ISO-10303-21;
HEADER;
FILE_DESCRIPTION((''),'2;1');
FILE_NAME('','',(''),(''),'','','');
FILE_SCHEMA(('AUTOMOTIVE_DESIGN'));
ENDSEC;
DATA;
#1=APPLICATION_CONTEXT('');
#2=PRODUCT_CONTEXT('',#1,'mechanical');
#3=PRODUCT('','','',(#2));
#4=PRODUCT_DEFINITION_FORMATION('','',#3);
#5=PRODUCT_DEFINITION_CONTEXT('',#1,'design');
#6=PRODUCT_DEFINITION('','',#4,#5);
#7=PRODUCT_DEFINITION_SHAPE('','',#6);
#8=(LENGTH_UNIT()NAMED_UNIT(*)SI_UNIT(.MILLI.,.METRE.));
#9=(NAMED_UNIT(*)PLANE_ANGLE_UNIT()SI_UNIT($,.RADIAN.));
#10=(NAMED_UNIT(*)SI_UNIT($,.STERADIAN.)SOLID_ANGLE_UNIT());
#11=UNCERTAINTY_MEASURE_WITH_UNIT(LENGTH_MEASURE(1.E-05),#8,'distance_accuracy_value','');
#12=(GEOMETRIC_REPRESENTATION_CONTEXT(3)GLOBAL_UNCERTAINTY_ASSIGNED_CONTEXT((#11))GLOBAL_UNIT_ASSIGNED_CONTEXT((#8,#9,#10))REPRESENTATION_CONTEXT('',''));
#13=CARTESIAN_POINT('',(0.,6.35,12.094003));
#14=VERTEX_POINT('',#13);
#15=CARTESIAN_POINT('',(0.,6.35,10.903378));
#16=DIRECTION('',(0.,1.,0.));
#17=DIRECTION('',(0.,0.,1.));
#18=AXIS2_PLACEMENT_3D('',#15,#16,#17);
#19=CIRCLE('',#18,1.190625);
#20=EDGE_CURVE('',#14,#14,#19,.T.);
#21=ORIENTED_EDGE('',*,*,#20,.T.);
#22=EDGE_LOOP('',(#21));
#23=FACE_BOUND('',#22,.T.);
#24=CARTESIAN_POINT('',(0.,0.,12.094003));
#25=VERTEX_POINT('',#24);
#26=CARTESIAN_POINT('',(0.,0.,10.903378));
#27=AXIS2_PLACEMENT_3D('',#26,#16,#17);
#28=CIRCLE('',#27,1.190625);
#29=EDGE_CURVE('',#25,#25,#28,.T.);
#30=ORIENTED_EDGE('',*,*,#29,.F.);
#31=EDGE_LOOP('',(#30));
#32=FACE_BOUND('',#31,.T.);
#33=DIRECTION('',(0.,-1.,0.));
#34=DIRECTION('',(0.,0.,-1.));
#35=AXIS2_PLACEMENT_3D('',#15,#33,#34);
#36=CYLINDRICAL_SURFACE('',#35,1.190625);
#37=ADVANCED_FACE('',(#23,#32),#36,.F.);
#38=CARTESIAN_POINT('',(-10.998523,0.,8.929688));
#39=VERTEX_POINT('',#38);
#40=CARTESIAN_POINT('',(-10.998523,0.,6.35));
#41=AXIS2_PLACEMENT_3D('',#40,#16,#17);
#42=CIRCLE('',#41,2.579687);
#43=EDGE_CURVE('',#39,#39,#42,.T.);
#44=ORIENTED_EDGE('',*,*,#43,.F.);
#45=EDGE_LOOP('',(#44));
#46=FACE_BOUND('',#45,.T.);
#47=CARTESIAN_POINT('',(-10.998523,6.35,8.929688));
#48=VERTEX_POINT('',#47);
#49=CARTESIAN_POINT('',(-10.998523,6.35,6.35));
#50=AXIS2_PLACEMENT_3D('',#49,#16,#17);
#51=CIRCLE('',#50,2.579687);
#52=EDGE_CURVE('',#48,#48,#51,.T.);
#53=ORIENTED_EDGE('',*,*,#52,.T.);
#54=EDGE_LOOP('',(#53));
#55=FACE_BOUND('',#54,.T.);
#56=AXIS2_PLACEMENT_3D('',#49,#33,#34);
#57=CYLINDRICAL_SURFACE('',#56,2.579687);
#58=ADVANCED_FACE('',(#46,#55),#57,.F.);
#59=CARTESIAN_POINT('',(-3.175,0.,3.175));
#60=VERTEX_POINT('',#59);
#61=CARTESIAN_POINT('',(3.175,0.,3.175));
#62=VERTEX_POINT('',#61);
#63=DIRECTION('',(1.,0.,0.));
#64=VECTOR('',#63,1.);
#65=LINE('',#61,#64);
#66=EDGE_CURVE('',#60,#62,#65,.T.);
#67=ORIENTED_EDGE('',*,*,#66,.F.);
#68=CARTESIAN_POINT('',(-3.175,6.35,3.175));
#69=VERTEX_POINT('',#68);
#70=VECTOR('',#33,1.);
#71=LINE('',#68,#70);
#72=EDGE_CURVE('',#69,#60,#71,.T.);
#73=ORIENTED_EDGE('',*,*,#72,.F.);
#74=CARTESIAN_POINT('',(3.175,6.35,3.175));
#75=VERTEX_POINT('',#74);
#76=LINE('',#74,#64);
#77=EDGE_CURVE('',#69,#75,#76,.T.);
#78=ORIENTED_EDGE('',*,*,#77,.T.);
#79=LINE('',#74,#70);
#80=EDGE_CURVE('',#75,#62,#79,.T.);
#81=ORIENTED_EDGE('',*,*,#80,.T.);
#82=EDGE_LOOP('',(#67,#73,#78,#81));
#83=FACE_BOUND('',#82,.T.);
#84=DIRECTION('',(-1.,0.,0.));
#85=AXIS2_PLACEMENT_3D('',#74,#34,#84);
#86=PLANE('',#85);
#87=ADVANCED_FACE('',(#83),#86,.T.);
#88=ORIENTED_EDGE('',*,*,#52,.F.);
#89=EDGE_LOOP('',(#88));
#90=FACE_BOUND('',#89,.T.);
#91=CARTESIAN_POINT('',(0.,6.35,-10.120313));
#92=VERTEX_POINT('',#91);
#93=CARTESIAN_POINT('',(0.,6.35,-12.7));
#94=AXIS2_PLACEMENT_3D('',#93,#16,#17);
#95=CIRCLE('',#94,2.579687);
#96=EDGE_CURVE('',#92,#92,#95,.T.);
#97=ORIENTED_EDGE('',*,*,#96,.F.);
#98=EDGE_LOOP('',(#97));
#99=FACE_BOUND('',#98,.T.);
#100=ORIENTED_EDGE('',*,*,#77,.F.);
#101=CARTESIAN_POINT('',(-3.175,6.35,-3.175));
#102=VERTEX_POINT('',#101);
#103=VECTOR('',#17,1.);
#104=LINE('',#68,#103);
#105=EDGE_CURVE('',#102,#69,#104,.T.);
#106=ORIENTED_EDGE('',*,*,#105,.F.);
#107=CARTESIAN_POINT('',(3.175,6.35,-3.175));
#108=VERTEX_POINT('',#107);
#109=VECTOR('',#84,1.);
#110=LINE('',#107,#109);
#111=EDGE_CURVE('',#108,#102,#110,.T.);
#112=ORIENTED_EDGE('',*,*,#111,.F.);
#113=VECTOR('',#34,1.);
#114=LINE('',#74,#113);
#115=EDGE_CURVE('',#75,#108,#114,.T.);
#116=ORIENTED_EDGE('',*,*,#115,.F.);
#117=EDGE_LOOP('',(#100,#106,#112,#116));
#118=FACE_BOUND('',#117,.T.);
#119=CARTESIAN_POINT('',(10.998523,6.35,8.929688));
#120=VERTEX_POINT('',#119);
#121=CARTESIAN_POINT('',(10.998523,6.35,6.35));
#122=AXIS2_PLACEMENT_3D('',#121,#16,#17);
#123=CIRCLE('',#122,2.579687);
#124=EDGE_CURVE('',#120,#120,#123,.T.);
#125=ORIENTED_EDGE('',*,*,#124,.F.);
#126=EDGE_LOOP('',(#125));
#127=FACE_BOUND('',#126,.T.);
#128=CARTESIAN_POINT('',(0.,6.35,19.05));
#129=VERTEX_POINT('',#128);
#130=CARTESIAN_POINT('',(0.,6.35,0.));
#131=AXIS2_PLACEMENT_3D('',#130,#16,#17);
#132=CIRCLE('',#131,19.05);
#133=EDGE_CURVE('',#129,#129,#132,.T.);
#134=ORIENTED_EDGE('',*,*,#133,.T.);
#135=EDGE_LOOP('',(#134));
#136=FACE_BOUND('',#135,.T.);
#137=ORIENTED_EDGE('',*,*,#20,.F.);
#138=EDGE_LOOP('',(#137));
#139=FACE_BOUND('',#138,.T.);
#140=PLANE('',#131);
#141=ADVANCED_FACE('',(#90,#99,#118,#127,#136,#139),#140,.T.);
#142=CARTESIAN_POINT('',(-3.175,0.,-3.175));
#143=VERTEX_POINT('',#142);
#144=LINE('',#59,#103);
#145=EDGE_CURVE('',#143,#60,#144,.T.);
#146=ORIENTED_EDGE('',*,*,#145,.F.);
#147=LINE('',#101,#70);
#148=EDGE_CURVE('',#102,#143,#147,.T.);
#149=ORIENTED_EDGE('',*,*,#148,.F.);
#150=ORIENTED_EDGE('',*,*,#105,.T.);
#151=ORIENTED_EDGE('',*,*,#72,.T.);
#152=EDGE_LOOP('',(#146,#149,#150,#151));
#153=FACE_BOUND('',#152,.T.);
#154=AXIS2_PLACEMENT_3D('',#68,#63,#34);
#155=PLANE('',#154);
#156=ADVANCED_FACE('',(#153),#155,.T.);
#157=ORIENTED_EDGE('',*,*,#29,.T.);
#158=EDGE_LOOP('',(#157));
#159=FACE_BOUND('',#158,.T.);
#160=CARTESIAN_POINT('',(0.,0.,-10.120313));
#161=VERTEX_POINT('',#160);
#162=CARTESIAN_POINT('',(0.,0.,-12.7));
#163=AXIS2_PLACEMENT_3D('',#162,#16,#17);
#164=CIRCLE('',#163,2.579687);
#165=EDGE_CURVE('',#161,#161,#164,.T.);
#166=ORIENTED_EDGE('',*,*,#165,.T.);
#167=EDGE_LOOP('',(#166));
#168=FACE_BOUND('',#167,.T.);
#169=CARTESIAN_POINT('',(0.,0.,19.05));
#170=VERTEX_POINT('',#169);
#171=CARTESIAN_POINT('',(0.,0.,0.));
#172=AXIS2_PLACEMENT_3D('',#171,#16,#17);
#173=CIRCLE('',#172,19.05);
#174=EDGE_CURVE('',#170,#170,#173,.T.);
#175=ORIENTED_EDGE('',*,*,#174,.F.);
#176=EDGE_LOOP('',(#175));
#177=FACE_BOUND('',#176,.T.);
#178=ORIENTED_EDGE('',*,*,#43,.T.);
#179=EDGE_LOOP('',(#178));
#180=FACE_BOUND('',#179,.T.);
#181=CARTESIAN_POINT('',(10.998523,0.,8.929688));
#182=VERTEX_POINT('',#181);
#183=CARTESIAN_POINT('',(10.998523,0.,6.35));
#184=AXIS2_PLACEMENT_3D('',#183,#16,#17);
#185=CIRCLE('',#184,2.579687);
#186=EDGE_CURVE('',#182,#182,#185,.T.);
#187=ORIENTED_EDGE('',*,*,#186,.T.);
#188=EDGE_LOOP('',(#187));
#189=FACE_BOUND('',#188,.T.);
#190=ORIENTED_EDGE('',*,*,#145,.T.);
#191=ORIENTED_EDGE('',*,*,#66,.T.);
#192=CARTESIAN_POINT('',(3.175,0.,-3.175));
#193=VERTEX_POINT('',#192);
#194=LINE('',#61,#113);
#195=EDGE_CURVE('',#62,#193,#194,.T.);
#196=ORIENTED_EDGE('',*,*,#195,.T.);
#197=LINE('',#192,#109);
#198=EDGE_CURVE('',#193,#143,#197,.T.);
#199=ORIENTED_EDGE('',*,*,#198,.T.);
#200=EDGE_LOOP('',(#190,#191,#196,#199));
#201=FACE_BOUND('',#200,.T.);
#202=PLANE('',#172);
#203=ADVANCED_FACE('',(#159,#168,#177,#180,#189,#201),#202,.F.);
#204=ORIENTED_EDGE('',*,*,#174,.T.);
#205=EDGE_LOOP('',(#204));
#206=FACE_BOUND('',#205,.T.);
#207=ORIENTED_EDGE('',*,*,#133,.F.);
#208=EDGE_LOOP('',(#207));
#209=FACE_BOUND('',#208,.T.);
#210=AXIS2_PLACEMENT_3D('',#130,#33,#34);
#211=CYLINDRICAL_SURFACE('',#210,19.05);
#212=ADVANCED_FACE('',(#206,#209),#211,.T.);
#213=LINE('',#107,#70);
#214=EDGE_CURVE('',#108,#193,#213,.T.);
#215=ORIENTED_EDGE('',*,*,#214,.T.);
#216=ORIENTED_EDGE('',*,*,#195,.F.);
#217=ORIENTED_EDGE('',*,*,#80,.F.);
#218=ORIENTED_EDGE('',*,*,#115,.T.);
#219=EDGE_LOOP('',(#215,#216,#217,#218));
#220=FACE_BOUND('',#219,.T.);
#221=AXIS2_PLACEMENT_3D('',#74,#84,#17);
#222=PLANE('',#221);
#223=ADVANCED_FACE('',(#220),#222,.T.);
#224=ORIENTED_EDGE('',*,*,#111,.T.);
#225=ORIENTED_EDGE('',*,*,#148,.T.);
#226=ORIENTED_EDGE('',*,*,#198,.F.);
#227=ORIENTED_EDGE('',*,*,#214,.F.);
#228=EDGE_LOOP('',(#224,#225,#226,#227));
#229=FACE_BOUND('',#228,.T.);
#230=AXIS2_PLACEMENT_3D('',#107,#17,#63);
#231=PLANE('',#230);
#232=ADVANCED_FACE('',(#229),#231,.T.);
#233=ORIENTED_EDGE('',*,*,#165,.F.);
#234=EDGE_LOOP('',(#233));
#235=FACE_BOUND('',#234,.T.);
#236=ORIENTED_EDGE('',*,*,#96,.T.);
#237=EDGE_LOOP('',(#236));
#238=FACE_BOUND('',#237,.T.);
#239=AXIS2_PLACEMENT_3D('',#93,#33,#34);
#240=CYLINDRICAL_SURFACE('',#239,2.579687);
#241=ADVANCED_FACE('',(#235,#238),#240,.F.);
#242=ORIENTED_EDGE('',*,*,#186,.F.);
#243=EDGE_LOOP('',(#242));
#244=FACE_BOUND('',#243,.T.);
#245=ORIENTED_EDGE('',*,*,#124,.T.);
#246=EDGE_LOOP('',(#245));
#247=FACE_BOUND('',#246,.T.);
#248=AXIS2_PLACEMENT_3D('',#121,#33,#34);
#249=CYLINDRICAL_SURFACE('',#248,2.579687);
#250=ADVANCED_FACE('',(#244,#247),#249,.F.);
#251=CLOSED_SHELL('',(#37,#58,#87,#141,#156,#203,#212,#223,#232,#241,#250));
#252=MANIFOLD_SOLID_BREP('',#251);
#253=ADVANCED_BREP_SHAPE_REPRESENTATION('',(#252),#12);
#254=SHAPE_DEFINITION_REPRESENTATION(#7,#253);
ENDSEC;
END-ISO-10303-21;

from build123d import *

# Parameters (mm, degrees)
SKETCH1_R           = 19.05
SKETCH1_R_2         = 2.5796875
SKETCH1_W           = 6.35
SKETCH1_H           = 6.35
BOSS_EXTRUDE1_DEPTH = 6.35


with BuildPart() as part:
    # Sketch1 → Boss-Extrude1 (new body)
    with BuildSketch(Plane(origin=(0, 0, 0), x_dir=(1, 0, 0), z_dir=(0, 1, 0))):
        Circle(SKETCH1_R)
        with Locations((0, 12.7)):
            Circle(SKETCH1_R_2, mode=Mode.SUBTRACT)
        with Locations((10.998522628, -6.35)):
            Circle(SKETCH1_R_2, mode=Mode.SUBTRACT)
        with Locations((-10.998522628, -6.35)):
            Circle(SKETCH1_R_2, mode=Mode.SUBTRACT)
        Rectangle(SKETCH1_W, SKETCH1_H, mode=Mode.SUBTRACT)
        with BuildLine():
            ThreePointArc((1.190625, -10.903378281), (0, -9.712753281), (-1.190625, -10.903378281))
            ThreePointArc((-1.190625, -10.903378281), (0, -12.094003281), (1.190625, -10.903378281))
        make_face(mode=Mode.SUBTRACT)
    extrude(amount=BOSS_EXTRUDE1_DEPTH)


solid = part.part
